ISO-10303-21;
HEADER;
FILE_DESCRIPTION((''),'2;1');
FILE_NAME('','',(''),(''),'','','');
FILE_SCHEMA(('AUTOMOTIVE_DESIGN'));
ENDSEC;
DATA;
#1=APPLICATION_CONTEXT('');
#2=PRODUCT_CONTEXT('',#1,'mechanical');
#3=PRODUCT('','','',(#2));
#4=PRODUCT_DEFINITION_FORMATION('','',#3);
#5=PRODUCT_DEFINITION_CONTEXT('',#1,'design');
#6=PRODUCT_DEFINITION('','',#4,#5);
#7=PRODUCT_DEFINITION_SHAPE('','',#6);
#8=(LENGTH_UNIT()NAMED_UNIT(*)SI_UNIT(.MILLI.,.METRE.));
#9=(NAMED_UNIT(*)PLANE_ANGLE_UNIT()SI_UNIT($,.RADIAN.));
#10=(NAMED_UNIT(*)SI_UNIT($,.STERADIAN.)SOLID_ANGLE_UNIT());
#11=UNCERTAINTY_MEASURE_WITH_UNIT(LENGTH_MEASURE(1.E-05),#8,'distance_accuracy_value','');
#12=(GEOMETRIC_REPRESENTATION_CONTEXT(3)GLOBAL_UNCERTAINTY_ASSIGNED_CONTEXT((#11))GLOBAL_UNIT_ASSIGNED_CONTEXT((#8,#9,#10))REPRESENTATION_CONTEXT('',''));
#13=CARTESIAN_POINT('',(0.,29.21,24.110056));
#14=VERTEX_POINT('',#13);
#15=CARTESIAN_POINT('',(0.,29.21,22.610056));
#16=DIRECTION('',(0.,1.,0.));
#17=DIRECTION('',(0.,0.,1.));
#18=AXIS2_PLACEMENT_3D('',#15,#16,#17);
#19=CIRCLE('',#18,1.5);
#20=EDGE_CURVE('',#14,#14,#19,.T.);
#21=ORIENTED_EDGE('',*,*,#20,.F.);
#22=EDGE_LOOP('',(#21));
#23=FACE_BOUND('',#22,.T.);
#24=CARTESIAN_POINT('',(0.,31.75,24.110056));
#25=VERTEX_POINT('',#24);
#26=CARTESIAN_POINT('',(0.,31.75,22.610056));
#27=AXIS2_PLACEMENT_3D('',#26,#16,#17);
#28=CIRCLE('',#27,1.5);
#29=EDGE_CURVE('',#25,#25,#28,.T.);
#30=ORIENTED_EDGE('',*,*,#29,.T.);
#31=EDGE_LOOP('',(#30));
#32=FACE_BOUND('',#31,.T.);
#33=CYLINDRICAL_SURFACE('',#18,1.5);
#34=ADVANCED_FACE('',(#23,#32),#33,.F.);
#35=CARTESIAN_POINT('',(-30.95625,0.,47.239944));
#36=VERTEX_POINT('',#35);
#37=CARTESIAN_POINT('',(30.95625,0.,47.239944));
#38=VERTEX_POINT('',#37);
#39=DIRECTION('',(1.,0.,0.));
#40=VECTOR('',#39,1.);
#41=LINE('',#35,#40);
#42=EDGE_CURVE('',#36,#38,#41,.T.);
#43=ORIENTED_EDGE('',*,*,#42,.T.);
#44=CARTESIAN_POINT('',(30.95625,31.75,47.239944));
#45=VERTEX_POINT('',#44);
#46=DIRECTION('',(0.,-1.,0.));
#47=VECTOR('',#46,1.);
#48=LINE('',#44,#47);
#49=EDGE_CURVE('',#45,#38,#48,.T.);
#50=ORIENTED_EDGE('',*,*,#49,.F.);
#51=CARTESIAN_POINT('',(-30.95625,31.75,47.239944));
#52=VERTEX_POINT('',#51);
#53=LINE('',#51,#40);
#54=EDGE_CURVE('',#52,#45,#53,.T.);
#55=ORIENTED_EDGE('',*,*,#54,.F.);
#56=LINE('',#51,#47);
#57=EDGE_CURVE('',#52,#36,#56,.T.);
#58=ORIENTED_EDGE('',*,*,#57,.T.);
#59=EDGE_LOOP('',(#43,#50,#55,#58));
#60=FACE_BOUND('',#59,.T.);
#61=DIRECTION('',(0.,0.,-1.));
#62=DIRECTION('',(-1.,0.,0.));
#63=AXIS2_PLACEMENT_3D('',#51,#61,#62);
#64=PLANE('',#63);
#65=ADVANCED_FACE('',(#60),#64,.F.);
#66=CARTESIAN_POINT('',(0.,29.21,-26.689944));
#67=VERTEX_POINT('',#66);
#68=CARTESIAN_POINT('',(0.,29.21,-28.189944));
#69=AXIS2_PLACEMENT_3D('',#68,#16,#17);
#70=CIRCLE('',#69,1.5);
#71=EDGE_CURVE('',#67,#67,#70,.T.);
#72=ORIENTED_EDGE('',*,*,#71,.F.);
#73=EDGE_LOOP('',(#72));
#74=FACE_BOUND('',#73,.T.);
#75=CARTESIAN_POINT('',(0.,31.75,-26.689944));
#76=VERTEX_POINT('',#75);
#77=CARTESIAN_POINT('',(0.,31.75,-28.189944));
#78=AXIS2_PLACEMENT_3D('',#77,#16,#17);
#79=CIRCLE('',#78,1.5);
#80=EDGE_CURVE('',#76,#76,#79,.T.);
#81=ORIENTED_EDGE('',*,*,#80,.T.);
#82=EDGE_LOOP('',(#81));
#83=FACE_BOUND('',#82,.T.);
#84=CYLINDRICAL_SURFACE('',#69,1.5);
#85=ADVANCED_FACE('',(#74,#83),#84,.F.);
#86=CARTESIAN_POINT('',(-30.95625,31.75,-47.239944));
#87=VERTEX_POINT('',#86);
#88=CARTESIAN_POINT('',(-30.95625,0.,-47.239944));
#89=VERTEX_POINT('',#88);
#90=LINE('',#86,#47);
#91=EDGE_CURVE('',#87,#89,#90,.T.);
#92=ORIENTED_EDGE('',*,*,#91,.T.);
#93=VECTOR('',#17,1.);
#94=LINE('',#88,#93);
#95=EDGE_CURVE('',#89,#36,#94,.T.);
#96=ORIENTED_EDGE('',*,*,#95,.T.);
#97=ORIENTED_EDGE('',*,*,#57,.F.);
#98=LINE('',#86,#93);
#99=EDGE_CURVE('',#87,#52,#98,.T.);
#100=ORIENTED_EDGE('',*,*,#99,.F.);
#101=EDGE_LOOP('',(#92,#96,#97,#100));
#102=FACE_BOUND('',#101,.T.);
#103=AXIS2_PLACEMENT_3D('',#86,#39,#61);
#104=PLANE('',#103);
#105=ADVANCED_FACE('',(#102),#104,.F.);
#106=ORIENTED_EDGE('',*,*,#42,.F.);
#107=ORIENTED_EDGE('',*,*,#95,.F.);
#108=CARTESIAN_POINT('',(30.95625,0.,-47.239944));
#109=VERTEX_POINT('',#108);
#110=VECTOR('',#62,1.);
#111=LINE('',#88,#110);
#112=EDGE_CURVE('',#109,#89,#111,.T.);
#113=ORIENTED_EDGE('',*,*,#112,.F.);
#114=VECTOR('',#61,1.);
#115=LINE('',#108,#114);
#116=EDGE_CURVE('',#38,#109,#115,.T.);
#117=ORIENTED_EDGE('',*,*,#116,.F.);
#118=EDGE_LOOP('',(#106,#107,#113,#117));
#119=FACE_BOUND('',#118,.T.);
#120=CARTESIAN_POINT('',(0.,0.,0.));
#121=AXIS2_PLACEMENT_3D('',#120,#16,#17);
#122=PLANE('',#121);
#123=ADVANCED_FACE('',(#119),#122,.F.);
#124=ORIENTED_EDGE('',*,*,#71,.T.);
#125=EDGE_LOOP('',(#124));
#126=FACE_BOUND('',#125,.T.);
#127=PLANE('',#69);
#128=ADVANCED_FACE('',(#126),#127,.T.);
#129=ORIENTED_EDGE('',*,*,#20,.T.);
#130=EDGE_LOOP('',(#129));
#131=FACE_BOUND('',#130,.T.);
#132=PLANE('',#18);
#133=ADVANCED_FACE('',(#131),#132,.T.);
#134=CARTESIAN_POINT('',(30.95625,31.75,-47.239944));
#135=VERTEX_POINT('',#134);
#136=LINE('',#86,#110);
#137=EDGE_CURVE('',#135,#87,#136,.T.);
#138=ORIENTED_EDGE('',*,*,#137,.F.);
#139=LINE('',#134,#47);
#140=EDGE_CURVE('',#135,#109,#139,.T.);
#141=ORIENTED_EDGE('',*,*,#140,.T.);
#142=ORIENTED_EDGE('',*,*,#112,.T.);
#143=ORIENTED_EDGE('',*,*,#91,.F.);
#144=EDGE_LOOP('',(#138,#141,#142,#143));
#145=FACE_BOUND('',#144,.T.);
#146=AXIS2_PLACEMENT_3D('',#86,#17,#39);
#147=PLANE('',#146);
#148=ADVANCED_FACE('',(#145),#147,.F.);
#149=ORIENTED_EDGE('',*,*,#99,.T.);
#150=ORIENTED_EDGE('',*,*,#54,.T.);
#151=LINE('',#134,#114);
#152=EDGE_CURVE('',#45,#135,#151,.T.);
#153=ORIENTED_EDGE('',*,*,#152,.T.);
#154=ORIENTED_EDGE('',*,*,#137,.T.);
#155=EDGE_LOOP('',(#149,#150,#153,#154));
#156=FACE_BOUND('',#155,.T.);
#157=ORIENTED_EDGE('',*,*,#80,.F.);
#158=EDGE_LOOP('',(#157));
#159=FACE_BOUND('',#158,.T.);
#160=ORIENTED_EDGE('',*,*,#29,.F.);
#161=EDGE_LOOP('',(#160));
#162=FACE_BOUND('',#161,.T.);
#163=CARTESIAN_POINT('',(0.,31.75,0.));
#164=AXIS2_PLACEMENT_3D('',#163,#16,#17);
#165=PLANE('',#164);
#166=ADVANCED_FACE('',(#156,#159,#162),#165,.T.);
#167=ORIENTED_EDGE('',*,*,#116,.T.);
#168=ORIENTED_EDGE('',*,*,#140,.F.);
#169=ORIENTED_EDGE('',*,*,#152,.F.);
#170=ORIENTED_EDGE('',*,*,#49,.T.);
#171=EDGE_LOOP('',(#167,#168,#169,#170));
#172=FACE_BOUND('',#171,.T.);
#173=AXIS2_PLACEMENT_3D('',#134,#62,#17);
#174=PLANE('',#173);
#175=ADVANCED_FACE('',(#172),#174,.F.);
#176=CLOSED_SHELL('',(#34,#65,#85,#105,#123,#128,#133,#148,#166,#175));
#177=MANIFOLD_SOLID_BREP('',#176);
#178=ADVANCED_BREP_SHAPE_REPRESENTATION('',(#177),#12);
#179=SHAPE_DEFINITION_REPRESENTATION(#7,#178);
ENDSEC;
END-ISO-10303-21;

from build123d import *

# Parameters (mm, degrees)
SKETCH1_W           = 61.9125
SKETCH1_H           = 94.479888928
BOSS_EXTRUDE1_DEPTH = 31.75
SKETCH2_R           = 1.5
CUT_EXTRUDE1_DEPTH  = 2.54


with BuildPart() as part:
    # Sketch1 → Boss-Extrude1 (new body)
    with BuildSketch(Plane(origin=(0, 0, 0), x_dir=(1, 0, 0), z_dir=(0, 1, 0))):
        Rectangle(SKETCH1_W, SKETCH1_H)
    extrude(amount=BOSS_EXTRUDE1_DEPTH)

    # Sketch2 → Cut-Extrude1 (cut)
    with BuildSketch(Plane(origin=(0, 31.75, 0), x_dir=(1, 0, 0), z_dir=(0, 1, 0))):
        with Locations(Location((0, 28.189944464, 0), (0, 0, 270))):
            Circle(SKETCH2_R)
        with Locations(Location((0, -22.610055536, 0), (0, 0, 270))):
            Circle(SKETCH2_R)
    extrude(amount=-CUT_EXTRUDE1_DEPTH, mode=Mode.SUBTRACT)


solid = part.part
